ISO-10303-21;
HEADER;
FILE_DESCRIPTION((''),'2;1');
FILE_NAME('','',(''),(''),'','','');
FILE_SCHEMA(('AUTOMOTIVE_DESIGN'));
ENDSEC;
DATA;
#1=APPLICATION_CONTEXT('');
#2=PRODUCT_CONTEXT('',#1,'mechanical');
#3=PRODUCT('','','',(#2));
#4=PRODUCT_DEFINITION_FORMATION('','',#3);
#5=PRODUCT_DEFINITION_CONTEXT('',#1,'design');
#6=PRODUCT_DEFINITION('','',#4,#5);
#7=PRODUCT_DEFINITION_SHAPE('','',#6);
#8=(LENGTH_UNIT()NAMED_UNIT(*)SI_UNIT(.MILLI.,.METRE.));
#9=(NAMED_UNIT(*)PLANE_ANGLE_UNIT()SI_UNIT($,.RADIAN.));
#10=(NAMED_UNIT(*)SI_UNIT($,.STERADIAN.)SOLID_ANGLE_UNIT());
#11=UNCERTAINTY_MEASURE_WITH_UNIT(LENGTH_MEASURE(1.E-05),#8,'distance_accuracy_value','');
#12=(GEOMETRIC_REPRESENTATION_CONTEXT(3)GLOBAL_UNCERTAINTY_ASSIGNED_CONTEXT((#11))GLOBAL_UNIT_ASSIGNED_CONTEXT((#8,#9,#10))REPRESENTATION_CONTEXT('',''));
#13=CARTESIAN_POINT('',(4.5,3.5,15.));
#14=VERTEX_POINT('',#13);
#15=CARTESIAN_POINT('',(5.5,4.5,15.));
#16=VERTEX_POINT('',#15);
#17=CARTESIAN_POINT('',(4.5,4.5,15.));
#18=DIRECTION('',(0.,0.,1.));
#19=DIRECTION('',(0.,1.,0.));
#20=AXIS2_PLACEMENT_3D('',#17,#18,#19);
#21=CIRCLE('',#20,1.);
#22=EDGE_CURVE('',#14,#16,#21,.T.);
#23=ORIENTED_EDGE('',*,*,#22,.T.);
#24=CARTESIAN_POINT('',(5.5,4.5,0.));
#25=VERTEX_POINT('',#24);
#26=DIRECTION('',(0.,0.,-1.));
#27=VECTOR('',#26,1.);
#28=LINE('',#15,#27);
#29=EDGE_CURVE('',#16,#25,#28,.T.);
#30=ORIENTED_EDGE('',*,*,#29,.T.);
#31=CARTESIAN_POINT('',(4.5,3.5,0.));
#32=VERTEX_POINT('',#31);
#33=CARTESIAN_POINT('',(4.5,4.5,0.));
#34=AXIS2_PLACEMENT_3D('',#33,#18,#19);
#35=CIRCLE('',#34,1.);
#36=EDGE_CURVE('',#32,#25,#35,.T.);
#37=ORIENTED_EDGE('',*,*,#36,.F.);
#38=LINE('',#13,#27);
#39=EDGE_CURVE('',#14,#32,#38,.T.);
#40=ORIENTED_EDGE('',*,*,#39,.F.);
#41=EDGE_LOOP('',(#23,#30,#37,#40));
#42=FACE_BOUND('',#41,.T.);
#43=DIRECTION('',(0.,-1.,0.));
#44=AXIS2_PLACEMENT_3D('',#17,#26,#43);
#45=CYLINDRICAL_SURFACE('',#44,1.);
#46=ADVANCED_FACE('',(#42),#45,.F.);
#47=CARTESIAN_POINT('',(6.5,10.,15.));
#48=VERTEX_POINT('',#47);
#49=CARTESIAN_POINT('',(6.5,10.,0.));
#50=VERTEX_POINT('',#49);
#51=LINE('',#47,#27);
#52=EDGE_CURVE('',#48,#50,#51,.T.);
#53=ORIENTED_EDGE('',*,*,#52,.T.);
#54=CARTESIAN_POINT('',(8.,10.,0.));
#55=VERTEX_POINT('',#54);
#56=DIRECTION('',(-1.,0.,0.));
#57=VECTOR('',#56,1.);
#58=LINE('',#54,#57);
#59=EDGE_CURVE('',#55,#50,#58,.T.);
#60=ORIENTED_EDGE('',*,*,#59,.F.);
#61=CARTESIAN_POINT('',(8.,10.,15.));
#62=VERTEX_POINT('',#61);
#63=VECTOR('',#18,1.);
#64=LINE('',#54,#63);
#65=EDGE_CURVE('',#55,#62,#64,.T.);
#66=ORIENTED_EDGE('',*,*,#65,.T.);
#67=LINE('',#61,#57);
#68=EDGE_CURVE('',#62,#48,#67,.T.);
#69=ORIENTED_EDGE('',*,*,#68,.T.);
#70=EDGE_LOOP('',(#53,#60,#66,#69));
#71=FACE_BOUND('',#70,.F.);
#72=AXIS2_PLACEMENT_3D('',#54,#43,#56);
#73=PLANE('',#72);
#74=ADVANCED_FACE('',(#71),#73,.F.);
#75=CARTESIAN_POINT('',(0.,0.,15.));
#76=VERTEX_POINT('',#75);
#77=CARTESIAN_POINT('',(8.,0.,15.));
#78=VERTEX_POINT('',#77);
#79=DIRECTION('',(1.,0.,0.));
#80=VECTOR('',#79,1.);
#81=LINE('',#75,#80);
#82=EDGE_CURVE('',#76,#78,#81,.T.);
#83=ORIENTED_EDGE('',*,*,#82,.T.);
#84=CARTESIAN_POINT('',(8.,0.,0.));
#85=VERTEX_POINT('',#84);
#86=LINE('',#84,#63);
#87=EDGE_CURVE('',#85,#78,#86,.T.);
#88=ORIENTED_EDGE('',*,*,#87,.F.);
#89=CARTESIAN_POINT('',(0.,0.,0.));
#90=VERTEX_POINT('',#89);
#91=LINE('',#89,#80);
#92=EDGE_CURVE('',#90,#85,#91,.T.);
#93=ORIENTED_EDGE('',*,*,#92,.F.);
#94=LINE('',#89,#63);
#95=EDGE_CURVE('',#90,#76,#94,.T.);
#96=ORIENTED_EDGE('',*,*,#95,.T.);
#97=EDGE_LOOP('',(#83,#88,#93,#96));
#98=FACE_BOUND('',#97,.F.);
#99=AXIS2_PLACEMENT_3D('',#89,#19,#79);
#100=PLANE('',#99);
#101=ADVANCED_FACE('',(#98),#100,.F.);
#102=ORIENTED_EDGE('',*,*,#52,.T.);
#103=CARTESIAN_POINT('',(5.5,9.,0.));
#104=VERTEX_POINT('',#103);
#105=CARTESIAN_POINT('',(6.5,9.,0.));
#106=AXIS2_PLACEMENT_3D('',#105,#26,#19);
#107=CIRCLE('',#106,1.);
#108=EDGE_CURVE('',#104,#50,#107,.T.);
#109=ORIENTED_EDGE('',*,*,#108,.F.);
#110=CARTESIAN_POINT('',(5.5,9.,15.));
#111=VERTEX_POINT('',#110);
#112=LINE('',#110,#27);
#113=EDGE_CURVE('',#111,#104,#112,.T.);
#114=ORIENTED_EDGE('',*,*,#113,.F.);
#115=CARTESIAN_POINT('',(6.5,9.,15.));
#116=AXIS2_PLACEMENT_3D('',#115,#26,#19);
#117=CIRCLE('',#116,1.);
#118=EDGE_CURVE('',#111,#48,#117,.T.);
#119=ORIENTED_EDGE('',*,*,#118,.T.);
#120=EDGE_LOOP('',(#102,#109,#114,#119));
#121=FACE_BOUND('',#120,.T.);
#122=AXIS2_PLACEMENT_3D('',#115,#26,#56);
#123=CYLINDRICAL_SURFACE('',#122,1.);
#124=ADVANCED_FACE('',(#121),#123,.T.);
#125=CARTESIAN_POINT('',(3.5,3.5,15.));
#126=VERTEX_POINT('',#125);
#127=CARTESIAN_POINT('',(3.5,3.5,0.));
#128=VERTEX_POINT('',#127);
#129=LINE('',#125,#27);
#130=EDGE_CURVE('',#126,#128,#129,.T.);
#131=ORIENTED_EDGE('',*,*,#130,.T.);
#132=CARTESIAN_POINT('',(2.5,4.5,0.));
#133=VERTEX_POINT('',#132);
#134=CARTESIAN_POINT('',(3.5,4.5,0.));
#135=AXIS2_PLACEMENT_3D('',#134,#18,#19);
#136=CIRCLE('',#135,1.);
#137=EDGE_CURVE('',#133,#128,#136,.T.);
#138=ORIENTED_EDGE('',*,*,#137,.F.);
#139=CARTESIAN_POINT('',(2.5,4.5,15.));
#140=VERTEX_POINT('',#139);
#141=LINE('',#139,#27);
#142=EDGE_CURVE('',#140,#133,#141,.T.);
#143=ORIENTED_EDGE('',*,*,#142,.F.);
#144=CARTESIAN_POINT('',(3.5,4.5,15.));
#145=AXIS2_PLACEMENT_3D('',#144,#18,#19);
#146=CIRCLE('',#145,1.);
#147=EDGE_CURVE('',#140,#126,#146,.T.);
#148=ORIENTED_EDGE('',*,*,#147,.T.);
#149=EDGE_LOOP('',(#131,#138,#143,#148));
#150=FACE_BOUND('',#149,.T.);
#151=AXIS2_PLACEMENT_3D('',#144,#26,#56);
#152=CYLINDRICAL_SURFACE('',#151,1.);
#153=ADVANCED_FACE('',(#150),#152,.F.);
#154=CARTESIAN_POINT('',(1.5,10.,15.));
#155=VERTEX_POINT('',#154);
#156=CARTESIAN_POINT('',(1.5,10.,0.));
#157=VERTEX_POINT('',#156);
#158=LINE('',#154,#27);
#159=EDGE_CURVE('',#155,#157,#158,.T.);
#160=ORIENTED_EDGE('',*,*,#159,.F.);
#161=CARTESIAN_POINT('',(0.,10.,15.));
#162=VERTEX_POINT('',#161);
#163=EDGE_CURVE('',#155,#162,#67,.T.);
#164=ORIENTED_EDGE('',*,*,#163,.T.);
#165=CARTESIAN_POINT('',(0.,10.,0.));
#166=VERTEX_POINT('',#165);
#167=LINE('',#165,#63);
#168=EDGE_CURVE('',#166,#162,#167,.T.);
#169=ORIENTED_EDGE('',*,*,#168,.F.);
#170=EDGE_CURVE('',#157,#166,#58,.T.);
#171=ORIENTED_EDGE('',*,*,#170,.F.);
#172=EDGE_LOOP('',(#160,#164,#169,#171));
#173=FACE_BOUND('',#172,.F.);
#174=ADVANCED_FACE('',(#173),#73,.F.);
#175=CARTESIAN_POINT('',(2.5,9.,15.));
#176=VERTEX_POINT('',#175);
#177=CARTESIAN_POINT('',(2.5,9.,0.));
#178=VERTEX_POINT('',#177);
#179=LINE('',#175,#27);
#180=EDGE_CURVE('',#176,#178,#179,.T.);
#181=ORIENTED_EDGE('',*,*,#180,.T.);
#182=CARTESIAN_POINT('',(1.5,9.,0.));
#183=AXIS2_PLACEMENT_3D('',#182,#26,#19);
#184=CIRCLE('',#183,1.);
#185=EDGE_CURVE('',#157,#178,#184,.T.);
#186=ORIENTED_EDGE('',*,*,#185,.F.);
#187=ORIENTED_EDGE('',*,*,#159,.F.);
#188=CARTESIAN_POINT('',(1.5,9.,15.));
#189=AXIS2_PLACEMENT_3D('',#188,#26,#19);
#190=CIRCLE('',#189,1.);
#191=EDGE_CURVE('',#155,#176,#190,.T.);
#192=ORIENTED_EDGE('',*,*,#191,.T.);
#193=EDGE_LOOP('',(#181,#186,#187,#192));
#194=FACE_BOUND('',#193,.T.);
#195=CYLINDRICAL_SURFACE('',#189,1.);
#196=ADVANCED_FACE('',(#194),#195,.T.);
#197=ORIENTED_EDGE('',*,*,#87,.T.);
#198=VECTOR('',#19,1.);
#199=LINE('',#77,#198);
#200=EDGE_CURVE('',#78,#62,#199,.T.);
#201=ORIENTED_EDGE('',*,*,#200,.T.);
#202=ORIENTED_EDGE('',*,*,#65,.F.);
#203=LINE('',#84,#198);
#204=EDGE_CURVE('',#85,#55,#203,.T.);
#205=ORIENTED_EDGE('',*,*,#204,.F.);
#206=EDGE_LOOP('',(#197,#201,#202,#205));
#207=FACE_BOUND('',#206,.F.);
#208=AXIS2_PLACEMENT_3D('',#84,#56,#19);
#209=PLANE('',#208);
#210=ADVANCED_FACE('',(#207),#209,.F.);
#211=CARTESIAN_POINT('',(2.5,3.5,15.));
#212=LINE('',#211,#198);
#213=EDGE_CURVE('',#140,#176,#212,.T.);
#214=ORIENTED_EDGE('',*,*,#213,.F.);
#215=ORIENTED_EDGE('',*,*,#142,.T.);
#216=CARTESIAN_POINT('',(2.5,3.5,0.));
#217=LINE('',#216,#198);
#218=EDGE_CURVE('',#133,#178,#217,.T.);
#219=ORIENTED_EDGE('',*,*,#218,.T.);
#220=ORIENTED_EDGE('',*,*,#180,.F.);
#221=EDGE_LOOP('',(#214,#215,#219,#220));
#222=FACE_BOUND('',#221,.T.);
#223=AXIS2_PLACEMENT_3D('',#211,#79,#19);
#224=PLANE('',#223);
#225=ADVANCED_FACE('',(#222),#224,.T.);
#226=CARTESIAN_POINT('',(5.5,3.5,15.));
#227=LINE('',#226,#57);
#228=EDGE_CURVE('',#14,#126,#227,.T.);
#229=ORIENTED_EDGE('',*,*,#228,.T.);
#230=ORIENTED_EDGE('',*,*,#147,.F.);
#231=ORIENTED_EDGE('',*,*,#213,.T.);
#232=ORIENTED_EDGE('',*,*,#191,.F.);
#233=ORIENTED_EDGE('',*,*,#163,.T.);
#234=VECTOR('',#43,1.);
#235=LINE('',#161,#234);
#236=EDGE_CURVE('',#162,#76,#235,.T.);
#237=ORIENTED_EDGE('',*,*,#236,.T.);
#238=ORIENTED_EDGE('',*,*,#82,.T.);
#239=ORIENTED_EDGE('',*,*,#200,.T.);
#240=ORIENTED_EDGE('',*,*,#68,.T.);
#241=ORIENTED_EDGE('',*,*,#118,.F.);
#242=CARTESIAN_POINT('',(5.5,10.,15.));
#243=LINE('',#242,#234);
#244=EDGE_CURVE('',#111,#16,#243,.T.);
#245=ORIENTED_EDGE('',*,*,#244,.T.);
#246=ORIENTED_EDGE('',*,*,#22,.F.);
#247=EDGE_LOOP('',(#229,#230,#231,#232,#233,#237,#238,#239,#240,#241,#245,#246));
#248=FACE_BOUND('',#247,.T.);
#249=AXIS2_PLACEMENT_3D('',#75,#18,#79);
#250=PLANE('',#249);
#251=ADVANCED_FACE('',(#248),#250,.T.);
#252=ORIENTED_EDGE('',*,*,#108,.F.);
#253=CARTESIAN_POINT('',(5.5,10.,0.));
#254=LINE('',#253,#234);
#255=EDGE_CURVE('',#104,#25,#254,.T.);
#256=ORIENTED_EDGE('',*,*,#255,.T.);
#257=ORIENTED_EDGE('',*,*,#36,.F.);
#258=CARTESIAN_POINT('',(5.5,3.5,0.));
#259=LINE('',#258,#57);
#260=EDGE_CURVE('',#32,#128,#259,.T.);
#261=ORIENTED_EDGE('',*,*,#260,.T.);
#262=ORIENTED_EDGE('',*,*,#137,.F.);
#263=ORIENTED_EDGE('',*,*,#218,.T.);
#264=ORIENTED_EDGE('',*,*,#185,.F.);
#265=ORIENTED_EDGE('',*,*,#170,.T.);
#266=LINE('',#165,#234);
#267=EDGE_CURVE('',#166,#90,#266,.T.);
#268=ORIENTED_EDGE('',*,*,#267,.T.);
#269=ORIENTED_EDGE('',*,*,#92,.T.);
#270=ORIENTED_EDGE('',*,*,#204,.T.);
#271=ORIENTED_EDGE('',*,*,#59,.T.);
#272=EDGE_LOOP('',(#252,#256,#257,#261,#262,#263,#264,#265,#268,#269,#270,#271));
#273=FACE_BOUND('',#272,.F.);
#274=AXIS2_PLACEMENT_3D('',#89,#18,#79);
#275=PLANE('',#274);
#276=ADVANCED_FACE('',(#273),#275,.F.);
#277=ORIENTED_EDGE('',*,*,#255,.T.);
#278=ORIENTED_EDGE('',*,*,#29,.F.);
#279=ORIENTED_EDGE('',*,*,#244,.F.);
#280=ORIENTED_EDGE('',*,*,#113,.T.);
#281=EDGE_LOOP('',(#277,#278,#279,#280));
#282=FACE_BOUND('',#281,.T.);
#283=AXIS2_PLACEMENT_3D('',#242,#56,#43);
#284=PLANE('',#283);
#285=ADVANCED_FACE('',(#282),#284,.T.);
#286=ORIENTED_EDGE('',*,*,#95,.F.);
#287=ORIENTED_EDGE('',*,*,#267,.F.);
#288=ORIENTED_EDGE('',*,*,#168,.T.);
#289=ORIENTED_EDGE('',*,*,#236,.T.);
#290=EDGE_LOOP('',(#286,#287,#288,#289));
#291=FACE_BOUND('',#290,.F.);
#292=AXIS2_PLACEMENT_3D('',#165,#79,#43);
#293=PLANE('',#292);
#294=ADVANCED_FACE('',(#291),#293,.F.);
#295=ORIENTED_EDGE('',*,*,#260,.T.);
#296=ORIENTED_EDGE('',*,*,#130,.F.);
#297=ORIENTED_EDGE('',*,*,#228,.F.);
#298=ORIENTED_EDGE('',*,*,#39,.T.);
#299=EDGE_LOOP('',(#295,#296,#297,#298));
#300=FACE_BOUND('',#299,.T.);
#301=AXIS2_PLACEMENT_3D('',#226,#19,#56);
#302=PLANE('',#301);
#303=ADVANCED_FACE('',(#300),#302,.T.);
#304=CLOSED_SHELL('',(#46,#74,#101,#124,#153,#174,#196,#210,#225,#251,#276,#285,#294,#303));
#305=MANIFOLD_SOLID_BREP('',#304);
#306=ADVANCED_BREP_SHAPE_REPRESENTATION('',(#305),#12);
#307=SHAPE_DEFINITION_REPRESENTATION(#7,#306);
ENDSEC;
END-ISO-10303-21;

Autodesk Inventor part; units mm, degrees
ref_plane "YZ Plane" through (0, 0, 0) normal (1, 0, 0) x (0, 1, 0)
ref_plane "XZ Plane" through (0, 0, 0) normal (0, 1, 0) x (-1, 0, 0)
ref_plane "XY Plane" through (0, 0, 0) normal (0, 0, 1) x (1, 0, 0)
sketch "Sketch1" plane through (0, 0, 0) normal (0, 0, 1) x (1, 0, 0)
  line L0 (0, 0) -> (8, 0)
  line L1 (8, 0) -> (8, 10)
  line L2 (8, 10) -> (0, 10)
  line L3 (0, 10) -> (0, 0)
  dimension "d0" = 8
  dimension "d1" = 10
extrude "Extrusion1" add sketch "Sketch1" along normal blind 15
sketch "Sketch2" plane through (0, 0, 15) normal (0, 0, 1) x (1, 0, 0)
  line L0 (8, 10) -> (0, 10) projected
  line L1 (2.5, 10) -> (5.5, 10)
  line L2 (5.5, 10) -> (5.5, 3.5)
  line L3 (5.5, 3.5) -> (2.5, 3.5)
  line L4 (2.5, 3.5) -> (2.5, 10)
  line L5 (0, 10) -> (0, 0) projected
  line L6 (8, 0) -> (8, 10) projected
  line L7 (0, 0) -> (8, 0) projected
  dimension "d4" = 2.5
  dimension "d5" = 2.5
  dimension "d6" = 3.5
extrude "Extrusion2" cut sketch "Sketch2" against normal blind 15 contours L2 L3 L4 L0
fillet "Fillet2" radius 1 4 edges at (2.5, 10, 7.5) (5.5, 10, 7.5) (2.5, 3.5, 7.5) (5.5, 3.5, 7.5)
properties part number "koppelstuk"
